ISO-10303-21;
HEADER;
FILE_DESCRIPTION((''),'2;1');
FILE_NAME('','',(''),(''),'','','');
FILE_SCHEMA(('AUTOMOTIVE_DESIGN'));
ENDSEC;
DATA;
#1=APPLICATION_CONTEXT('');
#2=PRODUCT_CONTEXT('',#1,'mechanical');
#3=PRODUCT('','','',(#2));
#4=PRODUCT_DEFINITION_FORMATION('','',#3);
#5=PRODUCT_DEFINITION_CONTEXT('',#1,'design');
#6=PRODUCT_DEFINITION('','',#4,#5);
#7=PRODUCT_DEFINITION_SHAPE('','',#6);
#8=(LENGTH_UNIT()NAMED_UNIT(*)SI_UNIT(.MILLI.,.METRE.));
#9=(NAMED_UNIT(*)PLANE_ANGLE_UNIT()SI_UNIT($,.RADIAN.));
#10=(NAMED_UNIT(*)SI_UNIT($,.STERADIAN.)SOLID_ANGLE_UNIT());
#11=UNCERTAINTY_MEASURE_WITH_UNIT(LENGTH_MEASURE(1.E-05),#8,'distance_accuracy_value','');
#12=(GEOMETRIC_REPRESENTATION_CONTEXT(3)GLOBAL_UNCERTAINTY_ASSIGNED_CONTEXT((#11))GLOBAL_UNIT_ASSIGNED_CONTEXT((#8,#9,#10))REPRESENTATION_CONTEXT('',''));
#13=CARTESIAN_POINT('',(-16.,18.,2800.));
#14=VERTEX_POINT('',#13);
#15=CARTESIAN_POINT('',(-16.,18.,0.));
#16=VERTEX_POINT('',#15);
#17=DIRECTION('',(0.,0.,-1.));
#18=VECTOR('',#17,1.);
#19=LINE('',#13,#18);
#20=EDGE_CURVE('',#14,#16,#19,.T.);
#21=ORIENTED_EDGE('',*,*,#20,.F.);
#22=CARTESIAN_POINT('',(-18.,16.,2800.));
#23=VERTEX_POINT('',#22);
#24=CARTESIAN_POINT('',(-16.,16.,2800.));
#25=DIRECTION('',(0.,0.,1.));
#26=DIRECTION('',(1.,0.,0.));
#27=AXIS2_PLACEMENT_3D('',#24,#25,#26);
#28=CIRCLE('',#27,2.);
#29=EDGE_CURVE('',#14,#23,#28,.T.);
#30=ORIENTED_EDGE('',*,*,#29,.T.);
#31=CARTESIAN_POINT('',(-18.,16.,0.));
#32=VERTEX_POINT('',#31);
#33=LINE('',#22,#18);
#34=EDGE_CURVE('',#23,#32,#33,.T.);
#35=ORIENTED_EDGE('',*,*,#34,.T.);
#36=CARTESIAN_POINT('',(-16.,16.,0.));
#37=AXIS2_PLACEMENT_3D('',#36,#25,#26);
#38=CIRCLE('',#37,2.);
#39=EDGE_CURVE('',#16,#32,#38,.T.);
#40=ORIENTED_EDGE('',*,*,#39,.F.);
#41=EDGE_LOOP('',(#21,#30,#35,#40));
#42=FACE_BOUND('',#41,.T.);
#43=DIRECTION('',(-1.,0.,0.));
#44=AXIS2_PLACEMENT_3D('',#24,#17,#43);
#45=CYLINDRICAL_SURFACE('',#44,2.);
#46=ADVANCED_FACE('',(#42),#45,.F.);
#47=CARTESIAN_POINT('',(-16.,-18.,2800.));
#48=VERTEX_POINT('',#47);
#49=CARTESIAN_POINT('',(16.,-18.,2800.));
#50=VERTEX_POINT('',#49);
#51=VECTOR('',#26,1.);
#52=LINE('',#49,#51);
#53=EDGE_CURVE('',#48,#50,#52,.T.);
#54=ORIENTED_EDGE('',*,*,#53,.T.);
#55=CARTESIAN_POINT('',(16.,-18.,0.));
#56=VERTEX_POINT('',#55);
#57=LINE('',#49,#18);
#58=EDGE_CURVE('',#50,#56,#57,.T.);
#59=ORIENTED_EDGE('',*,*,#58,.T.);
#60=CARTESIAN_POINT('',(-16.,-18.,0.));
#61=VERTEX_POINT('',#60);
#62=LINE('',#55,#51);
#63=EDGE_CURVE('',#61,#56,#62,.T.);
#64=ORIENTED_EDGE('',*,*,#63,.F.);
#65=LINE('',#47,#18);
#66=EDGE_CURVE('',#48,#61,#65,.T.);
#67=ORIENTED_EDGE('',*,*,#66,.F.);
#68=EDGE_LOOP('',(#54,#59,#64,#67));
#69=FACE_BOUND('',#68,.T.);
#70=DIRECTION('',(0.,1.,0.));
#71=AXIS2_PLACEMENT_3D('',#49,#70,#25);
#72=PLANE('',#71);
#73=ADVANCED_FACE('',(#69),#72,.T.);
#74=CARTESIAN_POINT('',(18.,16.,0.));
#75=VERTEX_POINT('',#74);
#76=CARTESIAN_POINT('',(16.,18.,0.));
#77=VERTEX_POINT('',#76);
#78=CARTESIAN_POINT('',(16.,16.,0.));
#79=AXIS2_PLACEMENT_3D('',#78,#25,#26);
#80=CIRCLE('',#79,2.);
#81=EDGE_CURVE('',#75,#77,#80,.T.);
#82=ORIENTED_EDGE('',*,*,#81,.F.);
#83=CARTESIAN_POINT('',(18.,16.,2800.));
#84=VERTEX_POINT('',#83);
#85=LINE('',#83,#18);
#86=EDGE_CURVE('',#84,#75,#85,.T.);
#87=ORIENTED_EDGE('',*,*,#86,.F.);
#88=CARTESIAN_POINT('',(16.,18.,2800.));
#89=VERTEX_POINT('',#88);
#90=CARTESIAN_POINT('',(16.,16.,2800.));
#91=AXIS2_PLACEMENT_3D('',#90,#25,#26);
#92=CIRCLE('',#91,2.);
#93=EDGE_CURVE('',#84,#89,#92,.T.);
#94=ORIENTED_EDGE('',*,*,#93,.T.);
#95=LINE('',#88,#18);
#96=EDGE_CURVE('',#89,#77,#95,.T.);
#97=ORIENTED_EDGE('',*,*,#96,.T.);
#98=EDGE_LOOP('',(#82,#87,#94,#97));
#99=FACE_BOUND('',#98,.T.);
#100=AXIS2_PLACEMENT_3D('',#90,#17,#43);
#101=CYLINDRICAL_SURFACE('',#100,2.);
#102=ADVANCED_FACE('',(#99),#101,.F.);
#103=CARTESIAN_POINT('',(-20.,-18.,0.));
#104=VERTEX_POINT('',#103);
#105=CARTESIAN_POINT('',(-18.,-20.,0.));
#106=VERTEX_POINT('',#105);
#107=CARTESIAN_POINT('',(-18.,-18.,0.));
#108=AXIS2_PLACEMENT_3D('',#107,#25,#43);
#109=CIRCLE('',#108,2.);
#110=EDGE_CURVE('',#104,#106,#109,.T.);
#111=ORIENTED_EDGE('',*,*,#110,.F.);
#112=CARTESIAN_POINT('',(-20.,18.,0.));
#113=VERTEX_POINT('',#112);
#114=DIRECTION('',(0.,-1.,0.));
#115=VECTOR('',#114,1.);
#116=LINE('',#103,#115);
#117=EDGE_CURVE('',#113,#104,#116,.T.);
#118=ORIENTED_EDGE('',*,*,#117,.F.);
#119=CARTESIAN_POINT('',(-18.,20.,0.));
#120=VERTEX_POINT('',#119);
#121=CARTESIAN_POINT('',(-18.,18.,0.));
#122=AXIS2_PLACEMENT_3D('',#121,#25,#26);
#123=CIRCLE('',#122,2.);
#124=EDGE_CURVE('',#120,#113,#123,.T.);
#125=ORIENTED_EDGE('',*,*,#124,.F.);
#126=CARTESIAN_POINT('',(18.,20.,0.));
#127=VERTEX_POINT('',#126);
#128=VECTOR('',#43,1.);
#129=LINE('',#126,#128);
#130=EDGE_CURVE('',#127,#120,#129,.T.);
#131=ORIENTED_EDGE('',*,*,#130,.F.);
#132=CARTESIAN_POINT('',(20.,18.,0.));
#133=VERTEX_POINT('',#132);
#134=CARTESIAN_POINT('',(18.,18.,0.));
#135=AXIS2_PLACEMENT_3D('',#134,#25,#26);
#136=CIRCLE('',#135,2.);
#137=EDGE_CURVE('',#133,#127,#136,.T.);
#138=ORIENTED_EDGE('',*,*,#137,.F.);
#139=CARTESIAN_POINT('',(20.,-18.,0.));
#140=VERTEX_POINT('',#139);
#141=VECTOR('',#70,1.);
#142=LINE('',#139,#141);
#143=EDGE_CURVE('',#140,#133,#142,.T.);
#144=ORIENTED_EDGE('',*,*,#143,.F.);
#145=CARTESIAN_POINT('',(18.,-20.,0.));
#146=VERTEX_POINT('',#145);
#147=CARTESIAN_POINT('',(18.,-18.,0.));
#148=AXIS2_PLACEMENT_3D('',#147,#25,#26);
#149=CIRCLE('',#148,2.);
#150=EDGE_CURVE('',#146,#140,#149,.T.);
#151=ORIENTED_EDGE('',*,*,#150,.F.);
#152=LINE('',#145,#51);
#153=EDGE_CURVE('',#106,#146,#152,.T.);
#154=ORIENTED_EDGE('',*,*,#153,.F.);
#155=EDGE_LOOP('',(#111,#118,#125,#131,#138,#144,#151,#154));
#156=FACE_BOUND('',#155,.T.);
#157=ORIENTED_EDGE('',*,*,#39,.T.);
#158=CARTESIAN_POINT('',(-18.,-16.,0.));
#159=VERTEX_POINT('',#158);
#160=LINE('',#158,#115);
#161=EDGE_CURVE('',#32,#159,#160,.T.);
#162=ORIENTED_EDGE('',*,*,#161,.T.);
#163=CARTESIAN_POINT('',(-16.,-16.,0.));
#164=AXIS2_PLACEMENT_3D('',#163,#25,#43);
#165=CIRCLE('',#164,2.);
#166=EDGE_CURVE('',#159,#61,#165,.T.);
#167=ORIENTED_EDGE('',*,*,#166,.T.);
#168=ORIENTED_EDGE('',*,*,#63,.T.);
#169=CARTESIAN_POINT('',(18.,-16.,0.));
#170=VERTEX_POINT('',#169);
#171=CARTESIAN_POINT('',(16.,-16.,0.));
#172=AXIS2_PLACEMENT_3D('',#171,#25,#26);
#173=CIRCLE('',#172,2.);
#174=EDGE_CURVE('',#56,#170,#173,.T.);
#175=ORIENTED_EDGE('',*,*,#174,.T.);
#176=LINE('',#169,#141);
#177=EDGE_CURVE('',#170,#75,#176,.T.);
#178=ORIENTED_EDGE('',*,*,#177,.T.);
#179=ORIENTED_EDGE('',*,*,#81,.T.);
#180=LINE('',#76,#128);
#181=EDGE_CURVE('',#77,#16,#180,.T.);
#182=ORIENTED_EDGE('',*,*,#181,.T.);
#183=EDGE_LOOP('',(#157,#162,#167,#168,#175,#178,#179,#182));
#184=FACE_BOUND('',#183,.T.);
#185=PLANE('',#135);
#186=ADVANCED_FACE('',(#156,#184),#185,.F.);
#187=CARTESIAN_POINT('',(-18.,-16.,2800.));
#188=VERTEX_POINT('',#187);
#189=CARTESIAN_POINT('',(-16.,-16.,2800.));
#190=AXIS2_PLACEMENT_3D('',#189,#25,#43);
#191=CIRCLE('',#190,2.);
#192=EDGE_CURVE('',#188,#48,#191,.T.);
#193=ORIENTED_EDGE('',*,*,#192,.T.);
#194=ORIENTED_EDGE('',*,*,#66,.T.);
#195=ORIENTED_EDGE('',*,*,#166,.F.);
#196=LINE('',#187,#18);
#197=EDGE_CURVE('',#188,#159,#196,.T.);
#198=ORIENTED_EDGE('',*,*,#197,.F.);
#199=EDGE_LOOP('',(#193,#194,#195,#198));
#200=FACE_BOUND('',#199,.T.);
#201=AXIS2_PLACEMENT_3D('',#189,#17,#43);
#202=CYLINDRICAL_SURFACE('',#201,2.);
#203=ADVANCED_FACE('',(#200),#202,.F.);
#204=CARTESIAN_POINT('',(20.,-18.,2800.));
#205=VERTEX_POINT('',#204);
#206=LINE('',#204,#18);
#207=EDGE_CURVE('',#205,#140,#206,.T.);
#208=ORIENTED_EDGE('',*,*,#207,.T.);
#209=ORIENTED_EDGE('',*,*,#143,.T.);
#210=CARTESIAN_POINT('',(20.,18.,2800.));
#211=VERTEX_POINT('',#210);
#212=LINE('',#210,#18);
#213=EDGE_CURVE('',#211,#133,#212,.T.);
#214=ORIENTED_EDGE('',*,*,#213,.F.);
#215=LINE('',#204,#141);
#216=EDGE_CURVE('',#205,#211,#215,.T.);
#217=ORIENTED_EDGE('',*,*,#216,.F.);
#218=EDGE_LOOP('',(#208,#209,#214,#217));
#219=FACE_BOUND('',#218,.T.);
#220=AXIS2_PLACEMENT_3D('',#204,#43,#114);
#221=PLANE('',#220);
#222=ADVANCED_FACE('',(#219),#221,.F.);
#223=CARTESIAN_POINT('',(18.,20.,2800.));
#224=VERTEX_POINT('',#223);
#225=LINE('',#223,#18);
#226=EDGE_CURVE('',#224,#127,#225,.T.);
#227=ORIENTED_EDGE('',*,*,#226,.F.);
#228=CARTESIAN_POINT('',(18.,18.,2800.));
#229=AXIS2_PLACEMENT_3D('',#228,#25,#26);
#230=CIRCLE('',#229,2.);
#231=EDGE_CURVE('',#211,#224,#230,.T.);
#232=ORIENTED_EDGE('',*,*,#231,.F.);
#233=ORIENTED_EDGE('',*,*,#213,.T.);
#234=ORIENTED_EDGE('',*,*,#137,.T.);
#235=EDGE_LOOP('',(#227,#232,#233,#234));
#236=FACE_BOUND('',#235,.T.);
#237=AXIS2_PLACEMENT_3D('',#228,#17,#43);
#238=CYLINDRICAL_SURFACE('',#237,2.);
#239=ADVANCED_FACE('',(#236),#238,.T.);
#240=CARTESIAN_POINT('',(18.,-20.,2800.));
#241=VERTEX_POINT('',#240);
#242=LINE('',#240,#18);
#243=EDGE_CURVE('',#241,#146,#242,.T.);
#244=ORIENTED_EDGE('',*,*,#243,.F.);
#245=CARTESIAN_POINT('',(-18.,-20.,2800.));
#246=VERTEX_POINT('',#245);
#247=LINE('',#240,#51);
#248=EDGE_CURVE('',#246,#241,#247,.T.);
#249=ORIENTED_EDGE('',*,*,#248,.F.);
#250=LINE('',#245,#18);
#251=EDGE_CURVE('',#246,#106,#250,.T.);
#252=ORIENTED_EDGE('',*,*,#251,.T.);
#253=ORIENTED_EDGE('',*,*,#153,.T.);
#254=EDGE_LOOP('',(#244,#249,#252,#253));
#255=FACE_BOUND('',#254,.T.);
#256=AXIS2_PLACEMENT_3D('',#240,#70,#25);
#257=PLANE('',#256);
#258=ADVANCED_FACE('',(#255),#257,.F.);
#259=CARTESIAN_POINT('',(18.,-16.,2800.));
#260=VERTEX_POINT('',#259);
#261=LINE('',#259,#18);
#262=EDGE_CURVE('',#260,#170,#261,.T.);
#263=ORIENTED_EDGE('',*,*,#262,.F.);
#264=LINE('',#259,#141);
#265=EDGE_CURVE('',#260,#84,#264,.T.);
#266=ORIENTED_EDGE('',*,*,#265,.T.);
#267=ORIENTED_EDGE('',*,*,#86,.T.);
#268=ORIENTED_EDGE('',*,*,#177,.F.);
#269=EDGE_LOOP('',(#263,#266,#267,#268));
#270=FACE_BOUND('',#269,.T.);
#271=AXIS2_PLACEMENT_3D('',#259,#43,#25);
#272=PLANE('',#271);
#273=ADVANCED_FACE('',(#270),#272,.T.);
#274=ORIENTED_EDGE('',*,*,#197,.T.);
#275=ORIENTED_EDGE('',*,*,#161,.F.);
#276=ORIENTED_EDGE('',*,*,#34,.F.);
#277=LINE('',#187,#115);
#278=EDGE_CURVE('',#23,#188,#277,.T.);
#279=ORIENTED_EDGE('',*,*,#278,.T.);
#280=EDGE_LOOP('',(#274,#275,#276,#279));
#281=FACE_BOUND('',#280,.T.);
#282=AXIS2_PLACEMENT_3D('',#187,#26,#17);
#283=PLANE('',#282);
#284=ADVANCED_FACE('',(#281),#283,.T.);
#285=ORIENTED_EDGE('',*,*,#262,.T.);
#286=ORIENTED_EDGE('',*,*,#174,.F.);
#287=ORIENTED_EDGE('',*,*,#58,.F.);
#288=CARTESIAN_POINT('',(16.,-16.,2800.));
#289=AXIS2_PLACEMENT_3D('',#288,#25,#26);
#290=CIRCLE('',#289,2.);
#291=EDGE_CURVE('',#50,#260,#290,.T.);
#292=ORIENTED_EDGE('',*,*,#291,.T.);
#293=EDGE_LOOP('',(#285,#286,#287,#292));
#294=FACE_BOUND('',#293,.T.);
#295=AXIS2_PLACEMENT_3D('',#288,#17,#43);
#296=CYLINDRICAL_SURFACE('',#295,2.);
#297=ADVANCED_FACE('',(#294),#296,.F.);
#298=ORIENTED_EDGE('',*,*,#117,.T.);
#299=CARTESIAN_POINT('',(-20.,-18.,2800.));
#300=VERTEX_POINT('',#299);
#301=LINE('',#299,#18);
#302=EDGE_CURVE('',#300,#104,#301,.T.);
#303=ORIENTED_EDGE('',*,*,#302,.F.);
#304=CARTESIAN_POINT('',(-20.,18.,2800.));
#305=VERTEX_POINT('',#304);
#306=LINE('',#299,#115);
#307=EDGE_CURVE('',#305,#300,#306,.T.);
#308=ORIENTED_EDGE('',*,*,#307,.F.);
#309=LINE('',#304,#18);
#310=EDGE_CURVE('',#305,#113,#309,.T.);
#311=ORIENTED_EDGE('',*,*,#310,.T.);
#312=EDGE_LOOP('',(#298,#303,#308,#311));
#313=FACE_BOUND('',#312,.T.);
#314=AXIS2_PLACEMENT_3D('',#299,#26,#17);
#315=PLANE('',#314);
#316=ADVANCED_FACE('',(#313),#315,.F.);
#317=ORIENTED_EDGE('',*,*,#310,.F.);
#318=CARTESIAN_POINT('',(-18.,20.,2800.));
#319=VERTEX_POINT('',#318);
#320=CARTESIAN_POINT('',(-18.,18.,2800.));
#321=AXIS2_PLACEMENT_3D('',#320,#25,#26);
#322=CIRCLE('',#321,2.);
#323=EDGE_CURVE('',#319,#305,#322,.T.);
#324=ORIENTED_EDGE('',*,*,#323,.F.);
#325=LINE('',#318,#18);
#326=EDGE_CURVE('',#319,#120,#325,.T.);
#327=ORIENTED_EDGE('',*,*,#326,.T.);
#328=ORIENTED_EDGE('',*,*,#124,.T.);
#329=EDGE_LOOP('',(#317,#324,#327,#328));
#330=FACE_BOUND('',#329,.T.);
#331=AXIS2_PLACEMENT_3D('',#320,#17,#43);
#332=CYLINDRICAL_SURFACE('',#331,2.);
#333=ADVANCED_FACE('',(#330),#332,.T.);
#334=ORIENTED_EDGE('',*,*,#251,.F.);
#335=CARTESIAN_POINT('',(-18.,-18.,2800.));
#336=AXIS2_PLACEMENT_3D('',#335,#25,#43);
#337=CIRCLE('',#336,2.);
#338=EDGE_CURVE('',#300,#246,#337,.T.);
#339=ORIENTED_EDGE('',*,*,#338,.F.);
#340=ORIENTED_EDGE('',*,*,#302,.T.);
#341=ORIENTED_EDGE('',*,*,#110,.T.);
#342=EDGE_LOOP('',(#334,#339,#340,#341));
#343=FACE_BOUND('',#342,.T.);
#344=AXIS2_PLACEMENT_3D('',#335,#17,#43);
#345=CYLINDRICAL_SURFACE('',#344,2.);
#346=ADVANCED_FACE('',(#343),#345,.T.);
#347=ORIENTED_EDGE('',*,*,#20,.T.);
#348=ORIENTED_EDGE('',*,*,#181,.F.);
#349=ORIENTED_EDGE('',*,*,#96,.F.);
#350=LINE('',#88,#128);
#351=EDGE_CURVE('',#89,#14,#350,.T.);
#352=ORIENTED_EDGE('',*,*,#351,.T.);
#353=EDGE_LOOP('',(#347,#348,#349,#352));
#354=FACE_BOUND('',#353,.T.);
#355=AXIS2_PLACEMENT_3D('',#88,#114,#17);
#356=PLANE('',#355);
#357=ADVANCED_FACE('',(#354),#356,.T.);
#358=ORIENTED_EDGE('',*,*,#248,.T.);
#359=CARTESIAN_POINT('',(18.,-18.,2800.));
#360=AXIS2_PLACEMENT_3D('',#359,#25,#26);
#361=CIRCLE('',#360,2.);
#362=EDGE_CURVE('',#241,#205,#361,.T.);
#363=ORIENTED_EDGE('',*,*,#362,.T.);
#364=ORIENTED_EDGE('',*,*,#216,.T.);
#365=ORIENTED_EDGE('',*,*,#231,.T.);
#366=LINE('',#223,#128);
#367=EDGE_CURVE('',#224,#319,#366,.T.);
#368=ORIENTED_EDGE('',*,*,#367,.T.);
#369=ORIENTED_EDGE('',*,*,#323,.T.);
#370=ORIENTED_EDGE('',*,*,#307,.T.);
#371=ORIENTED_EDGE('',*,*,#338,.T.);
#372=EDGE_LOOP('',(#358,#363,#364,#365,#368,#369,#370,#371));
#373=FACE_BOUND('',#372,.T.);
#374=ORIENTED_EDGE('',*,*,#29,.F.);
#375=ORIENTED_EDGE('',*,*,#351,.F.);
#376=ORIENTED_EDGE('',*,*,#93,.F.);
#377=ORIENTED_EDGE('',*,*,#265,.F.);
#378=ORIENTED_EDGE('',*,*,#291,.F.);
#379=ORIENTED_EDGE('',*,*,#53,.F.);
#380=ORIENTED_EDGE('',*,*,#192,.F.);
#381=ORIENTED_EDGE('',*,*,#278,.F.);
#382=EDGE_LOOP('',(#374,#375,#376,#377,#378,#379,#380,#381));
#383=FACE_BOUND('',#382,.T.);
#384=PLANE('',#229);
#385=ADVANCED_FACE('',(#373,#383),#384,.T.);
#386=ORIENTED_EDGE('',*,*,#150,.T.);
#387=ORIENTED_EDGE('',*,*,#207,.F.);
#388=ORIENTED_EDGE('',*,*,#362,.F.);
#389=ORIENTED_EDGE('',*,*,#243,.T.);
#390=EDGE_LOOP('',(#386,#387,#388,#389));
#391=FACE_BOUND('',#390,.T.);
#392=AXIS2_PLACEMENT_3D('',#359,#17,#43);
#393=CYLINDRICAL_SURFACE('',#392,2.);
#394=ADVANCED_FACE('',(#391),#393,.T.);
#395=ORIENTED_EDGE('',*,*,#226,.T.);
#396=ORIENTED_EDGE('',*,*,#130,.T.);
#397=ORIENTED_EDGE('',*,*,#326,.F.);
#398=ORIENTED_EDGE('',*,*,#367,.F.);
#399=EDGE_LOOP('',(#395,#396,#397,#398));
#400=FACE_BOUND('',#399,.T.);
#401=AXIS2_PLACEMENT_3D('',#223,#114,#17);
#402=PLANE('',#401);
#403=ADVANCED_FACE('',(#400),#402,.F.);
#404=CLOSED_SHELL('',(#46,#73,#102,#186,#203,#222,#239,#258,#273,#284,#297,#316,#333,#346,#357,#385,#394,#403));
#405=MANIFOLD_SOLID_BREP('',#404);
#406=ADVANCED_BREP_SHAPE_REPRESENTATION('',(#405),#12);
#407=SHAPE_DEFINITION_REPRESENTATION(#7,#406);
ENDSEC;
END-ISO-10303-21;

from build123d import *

# Parameters (mm, degrees)
EXTRUDE_1_DEPTH = 2800


with BuildPart() as part:
    # Эскиз1 → Бобышка-Вытянуть1 (new body)
    with BuildSketch(Plane.XY):
        with BuildLine():
            Line((18, -20), (-18, -20))
            ThreePointArc((-18, -20), (-19.414213562, -19.414213562), (-20, -18))
            Line((-20, -18), (-20, 18))
            ThreePointArc((-20, 18), (-19.414213562, 19.414213562), (-18, 20))
            Line((-18, 20), (18, 20))
            ThreePointArc((18, 20), (19.414213562, 19.414213562), (20, 18))
            Line((20, 18), (20, -18))
            ThreePointArc((20, -18), (19.414213562, -19.414213562), (18, -20))
        make_face()
        with BuildLine():
            Line((16, -18), (-16, -18))
            ThreePointArc((-16, -18), (-17.414213562, -17.414213562), (-18, -16))
            Line((-18, -16), (-18, 16))
            ThreePointArc((-18, 16), (-17.414213562, 17.414213562), (-16, 18))
            Line((-16, 18), (16, 18))
            ThreePointArc((16, 18), (17.414213562, 17.414213562), (18, 16))
            Line((18, 16), (18, -16))
            ThreePointArc((18, -16), (17.414213562, -17.414213562), (16, -18))
        make_face(mode=Mode.SUBTRACT)
    extrude(amount=EXTRUDE_1_DEPTH)


solid = part.part
